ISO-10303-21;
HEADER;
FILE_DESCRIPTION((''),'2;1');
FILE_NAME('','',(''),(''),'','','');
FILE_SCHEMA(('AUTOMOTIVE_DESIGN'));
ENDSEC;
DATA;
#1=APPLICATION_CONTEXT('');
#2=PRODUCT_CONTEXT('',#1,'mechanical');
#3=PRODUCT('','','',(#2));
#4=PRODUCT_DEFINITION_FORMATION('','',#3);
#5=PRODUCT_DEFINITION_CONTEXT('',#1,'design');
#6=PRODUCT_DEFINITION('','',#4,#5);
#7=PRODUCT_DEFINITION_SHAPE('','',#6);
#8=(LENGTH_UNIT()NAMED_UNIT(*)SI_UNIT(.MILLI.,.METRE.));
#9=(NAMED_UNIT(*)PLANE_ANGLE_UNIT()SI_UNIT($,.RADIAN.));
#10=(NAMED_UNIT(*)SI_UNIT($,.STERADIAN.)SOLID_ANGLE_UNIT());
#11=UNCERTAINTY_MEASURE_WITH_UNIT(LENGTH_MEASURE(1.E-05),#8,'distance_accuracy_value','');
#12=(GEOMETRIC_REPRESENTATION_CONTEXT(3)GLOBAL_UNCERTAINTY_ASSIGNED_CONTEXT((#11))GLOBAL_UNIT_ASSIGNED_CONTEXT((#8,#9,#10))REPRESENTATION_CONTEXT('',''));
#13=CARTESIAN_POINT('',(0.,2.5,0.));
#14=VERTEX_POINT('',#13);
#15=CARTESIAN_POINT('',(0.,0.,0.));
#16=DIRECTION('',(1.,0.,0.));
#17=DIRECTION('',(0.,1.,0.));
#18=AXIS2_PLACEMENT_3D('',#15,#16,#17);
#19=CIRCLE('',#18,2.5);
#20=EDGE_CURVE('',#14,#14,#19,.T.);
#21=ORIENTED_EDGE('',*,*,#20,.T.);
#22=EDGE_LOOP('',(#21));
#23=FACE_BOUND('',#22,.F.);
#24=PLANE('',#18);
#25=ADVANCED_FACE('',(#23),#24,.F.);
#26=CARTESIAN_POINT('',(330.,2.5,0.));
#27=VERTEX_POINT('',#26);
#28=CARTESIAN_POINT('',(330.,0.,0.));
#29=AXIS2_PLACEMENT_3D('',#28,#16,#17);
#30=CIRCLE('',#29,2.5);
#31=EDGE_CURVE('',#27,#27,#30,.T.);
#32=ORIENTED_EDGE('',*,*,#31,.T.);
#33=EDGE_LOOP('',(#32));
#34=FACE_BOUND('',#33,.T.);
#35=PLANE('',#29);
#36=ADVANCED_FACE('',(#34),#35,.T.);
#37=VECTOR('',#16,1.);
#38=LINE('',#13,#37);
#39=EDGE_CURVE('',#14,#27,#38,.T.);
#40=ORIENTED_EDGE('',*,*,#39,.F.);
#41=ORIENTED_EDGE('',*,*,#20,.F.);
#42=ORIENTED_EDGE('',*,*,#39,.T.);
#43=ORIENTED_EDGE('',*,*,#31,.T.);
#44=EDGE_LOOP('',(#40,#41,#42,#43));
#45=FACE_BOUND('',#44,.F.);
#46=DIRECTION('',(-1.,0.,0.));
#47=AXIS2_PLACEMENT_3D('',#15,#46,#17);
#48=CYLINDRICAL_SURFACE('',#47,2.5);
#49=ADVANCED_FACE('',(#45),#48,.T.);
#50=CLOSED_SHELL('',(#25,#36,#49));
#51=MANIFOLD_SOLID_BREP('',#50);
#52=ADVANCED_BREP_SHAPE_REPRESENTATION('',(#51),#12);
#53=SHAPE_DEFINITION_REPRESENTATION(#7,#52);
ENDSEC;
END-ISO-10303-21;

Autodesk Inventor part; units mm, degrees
ref_plane "YZ Plane" through (0, 0, 0) normal (1, 0, 0) x (0, 1, 0)
ref_plane "XZ Plane" through (0, 0, 0) normal (0, 1, 0) x (-1, 0, 0)
ref_plane "XY Plane" through (0, 0, 0) normal (0, 0, 1) x (1, 0, 0)
sketch "スケッチ1" plane through (0, 0, 0) normal (1, 0, 0) x (0, 1, 0)
  circle A0 centre (0, 0) radius 2.5
  dimension "d0" = 5
extrude "押し出し1" add sketch "スケッチ1" along normal blind 330
equation "\"BendRadius\" = Thickness"
equation "\"BendReliefWidth\" = Thickness"
equation "\"BendReliefDepth\" = 0.5 * Thickness"
equation "\"CornerReliefSize\" = 4 * Thickness"
equation "\"MinimumRemnant\" = 2 * Thickness"
equation "\"TransitionRadius\" = BendRadius"
equation "\"JacobiRadiusSize\" = BendRadius"
equation "\"GapSize\" = Thickness"
equation "\"Thickness\" = 0.5"
properties part number "nhk21" material "アルミニウム 6061"
